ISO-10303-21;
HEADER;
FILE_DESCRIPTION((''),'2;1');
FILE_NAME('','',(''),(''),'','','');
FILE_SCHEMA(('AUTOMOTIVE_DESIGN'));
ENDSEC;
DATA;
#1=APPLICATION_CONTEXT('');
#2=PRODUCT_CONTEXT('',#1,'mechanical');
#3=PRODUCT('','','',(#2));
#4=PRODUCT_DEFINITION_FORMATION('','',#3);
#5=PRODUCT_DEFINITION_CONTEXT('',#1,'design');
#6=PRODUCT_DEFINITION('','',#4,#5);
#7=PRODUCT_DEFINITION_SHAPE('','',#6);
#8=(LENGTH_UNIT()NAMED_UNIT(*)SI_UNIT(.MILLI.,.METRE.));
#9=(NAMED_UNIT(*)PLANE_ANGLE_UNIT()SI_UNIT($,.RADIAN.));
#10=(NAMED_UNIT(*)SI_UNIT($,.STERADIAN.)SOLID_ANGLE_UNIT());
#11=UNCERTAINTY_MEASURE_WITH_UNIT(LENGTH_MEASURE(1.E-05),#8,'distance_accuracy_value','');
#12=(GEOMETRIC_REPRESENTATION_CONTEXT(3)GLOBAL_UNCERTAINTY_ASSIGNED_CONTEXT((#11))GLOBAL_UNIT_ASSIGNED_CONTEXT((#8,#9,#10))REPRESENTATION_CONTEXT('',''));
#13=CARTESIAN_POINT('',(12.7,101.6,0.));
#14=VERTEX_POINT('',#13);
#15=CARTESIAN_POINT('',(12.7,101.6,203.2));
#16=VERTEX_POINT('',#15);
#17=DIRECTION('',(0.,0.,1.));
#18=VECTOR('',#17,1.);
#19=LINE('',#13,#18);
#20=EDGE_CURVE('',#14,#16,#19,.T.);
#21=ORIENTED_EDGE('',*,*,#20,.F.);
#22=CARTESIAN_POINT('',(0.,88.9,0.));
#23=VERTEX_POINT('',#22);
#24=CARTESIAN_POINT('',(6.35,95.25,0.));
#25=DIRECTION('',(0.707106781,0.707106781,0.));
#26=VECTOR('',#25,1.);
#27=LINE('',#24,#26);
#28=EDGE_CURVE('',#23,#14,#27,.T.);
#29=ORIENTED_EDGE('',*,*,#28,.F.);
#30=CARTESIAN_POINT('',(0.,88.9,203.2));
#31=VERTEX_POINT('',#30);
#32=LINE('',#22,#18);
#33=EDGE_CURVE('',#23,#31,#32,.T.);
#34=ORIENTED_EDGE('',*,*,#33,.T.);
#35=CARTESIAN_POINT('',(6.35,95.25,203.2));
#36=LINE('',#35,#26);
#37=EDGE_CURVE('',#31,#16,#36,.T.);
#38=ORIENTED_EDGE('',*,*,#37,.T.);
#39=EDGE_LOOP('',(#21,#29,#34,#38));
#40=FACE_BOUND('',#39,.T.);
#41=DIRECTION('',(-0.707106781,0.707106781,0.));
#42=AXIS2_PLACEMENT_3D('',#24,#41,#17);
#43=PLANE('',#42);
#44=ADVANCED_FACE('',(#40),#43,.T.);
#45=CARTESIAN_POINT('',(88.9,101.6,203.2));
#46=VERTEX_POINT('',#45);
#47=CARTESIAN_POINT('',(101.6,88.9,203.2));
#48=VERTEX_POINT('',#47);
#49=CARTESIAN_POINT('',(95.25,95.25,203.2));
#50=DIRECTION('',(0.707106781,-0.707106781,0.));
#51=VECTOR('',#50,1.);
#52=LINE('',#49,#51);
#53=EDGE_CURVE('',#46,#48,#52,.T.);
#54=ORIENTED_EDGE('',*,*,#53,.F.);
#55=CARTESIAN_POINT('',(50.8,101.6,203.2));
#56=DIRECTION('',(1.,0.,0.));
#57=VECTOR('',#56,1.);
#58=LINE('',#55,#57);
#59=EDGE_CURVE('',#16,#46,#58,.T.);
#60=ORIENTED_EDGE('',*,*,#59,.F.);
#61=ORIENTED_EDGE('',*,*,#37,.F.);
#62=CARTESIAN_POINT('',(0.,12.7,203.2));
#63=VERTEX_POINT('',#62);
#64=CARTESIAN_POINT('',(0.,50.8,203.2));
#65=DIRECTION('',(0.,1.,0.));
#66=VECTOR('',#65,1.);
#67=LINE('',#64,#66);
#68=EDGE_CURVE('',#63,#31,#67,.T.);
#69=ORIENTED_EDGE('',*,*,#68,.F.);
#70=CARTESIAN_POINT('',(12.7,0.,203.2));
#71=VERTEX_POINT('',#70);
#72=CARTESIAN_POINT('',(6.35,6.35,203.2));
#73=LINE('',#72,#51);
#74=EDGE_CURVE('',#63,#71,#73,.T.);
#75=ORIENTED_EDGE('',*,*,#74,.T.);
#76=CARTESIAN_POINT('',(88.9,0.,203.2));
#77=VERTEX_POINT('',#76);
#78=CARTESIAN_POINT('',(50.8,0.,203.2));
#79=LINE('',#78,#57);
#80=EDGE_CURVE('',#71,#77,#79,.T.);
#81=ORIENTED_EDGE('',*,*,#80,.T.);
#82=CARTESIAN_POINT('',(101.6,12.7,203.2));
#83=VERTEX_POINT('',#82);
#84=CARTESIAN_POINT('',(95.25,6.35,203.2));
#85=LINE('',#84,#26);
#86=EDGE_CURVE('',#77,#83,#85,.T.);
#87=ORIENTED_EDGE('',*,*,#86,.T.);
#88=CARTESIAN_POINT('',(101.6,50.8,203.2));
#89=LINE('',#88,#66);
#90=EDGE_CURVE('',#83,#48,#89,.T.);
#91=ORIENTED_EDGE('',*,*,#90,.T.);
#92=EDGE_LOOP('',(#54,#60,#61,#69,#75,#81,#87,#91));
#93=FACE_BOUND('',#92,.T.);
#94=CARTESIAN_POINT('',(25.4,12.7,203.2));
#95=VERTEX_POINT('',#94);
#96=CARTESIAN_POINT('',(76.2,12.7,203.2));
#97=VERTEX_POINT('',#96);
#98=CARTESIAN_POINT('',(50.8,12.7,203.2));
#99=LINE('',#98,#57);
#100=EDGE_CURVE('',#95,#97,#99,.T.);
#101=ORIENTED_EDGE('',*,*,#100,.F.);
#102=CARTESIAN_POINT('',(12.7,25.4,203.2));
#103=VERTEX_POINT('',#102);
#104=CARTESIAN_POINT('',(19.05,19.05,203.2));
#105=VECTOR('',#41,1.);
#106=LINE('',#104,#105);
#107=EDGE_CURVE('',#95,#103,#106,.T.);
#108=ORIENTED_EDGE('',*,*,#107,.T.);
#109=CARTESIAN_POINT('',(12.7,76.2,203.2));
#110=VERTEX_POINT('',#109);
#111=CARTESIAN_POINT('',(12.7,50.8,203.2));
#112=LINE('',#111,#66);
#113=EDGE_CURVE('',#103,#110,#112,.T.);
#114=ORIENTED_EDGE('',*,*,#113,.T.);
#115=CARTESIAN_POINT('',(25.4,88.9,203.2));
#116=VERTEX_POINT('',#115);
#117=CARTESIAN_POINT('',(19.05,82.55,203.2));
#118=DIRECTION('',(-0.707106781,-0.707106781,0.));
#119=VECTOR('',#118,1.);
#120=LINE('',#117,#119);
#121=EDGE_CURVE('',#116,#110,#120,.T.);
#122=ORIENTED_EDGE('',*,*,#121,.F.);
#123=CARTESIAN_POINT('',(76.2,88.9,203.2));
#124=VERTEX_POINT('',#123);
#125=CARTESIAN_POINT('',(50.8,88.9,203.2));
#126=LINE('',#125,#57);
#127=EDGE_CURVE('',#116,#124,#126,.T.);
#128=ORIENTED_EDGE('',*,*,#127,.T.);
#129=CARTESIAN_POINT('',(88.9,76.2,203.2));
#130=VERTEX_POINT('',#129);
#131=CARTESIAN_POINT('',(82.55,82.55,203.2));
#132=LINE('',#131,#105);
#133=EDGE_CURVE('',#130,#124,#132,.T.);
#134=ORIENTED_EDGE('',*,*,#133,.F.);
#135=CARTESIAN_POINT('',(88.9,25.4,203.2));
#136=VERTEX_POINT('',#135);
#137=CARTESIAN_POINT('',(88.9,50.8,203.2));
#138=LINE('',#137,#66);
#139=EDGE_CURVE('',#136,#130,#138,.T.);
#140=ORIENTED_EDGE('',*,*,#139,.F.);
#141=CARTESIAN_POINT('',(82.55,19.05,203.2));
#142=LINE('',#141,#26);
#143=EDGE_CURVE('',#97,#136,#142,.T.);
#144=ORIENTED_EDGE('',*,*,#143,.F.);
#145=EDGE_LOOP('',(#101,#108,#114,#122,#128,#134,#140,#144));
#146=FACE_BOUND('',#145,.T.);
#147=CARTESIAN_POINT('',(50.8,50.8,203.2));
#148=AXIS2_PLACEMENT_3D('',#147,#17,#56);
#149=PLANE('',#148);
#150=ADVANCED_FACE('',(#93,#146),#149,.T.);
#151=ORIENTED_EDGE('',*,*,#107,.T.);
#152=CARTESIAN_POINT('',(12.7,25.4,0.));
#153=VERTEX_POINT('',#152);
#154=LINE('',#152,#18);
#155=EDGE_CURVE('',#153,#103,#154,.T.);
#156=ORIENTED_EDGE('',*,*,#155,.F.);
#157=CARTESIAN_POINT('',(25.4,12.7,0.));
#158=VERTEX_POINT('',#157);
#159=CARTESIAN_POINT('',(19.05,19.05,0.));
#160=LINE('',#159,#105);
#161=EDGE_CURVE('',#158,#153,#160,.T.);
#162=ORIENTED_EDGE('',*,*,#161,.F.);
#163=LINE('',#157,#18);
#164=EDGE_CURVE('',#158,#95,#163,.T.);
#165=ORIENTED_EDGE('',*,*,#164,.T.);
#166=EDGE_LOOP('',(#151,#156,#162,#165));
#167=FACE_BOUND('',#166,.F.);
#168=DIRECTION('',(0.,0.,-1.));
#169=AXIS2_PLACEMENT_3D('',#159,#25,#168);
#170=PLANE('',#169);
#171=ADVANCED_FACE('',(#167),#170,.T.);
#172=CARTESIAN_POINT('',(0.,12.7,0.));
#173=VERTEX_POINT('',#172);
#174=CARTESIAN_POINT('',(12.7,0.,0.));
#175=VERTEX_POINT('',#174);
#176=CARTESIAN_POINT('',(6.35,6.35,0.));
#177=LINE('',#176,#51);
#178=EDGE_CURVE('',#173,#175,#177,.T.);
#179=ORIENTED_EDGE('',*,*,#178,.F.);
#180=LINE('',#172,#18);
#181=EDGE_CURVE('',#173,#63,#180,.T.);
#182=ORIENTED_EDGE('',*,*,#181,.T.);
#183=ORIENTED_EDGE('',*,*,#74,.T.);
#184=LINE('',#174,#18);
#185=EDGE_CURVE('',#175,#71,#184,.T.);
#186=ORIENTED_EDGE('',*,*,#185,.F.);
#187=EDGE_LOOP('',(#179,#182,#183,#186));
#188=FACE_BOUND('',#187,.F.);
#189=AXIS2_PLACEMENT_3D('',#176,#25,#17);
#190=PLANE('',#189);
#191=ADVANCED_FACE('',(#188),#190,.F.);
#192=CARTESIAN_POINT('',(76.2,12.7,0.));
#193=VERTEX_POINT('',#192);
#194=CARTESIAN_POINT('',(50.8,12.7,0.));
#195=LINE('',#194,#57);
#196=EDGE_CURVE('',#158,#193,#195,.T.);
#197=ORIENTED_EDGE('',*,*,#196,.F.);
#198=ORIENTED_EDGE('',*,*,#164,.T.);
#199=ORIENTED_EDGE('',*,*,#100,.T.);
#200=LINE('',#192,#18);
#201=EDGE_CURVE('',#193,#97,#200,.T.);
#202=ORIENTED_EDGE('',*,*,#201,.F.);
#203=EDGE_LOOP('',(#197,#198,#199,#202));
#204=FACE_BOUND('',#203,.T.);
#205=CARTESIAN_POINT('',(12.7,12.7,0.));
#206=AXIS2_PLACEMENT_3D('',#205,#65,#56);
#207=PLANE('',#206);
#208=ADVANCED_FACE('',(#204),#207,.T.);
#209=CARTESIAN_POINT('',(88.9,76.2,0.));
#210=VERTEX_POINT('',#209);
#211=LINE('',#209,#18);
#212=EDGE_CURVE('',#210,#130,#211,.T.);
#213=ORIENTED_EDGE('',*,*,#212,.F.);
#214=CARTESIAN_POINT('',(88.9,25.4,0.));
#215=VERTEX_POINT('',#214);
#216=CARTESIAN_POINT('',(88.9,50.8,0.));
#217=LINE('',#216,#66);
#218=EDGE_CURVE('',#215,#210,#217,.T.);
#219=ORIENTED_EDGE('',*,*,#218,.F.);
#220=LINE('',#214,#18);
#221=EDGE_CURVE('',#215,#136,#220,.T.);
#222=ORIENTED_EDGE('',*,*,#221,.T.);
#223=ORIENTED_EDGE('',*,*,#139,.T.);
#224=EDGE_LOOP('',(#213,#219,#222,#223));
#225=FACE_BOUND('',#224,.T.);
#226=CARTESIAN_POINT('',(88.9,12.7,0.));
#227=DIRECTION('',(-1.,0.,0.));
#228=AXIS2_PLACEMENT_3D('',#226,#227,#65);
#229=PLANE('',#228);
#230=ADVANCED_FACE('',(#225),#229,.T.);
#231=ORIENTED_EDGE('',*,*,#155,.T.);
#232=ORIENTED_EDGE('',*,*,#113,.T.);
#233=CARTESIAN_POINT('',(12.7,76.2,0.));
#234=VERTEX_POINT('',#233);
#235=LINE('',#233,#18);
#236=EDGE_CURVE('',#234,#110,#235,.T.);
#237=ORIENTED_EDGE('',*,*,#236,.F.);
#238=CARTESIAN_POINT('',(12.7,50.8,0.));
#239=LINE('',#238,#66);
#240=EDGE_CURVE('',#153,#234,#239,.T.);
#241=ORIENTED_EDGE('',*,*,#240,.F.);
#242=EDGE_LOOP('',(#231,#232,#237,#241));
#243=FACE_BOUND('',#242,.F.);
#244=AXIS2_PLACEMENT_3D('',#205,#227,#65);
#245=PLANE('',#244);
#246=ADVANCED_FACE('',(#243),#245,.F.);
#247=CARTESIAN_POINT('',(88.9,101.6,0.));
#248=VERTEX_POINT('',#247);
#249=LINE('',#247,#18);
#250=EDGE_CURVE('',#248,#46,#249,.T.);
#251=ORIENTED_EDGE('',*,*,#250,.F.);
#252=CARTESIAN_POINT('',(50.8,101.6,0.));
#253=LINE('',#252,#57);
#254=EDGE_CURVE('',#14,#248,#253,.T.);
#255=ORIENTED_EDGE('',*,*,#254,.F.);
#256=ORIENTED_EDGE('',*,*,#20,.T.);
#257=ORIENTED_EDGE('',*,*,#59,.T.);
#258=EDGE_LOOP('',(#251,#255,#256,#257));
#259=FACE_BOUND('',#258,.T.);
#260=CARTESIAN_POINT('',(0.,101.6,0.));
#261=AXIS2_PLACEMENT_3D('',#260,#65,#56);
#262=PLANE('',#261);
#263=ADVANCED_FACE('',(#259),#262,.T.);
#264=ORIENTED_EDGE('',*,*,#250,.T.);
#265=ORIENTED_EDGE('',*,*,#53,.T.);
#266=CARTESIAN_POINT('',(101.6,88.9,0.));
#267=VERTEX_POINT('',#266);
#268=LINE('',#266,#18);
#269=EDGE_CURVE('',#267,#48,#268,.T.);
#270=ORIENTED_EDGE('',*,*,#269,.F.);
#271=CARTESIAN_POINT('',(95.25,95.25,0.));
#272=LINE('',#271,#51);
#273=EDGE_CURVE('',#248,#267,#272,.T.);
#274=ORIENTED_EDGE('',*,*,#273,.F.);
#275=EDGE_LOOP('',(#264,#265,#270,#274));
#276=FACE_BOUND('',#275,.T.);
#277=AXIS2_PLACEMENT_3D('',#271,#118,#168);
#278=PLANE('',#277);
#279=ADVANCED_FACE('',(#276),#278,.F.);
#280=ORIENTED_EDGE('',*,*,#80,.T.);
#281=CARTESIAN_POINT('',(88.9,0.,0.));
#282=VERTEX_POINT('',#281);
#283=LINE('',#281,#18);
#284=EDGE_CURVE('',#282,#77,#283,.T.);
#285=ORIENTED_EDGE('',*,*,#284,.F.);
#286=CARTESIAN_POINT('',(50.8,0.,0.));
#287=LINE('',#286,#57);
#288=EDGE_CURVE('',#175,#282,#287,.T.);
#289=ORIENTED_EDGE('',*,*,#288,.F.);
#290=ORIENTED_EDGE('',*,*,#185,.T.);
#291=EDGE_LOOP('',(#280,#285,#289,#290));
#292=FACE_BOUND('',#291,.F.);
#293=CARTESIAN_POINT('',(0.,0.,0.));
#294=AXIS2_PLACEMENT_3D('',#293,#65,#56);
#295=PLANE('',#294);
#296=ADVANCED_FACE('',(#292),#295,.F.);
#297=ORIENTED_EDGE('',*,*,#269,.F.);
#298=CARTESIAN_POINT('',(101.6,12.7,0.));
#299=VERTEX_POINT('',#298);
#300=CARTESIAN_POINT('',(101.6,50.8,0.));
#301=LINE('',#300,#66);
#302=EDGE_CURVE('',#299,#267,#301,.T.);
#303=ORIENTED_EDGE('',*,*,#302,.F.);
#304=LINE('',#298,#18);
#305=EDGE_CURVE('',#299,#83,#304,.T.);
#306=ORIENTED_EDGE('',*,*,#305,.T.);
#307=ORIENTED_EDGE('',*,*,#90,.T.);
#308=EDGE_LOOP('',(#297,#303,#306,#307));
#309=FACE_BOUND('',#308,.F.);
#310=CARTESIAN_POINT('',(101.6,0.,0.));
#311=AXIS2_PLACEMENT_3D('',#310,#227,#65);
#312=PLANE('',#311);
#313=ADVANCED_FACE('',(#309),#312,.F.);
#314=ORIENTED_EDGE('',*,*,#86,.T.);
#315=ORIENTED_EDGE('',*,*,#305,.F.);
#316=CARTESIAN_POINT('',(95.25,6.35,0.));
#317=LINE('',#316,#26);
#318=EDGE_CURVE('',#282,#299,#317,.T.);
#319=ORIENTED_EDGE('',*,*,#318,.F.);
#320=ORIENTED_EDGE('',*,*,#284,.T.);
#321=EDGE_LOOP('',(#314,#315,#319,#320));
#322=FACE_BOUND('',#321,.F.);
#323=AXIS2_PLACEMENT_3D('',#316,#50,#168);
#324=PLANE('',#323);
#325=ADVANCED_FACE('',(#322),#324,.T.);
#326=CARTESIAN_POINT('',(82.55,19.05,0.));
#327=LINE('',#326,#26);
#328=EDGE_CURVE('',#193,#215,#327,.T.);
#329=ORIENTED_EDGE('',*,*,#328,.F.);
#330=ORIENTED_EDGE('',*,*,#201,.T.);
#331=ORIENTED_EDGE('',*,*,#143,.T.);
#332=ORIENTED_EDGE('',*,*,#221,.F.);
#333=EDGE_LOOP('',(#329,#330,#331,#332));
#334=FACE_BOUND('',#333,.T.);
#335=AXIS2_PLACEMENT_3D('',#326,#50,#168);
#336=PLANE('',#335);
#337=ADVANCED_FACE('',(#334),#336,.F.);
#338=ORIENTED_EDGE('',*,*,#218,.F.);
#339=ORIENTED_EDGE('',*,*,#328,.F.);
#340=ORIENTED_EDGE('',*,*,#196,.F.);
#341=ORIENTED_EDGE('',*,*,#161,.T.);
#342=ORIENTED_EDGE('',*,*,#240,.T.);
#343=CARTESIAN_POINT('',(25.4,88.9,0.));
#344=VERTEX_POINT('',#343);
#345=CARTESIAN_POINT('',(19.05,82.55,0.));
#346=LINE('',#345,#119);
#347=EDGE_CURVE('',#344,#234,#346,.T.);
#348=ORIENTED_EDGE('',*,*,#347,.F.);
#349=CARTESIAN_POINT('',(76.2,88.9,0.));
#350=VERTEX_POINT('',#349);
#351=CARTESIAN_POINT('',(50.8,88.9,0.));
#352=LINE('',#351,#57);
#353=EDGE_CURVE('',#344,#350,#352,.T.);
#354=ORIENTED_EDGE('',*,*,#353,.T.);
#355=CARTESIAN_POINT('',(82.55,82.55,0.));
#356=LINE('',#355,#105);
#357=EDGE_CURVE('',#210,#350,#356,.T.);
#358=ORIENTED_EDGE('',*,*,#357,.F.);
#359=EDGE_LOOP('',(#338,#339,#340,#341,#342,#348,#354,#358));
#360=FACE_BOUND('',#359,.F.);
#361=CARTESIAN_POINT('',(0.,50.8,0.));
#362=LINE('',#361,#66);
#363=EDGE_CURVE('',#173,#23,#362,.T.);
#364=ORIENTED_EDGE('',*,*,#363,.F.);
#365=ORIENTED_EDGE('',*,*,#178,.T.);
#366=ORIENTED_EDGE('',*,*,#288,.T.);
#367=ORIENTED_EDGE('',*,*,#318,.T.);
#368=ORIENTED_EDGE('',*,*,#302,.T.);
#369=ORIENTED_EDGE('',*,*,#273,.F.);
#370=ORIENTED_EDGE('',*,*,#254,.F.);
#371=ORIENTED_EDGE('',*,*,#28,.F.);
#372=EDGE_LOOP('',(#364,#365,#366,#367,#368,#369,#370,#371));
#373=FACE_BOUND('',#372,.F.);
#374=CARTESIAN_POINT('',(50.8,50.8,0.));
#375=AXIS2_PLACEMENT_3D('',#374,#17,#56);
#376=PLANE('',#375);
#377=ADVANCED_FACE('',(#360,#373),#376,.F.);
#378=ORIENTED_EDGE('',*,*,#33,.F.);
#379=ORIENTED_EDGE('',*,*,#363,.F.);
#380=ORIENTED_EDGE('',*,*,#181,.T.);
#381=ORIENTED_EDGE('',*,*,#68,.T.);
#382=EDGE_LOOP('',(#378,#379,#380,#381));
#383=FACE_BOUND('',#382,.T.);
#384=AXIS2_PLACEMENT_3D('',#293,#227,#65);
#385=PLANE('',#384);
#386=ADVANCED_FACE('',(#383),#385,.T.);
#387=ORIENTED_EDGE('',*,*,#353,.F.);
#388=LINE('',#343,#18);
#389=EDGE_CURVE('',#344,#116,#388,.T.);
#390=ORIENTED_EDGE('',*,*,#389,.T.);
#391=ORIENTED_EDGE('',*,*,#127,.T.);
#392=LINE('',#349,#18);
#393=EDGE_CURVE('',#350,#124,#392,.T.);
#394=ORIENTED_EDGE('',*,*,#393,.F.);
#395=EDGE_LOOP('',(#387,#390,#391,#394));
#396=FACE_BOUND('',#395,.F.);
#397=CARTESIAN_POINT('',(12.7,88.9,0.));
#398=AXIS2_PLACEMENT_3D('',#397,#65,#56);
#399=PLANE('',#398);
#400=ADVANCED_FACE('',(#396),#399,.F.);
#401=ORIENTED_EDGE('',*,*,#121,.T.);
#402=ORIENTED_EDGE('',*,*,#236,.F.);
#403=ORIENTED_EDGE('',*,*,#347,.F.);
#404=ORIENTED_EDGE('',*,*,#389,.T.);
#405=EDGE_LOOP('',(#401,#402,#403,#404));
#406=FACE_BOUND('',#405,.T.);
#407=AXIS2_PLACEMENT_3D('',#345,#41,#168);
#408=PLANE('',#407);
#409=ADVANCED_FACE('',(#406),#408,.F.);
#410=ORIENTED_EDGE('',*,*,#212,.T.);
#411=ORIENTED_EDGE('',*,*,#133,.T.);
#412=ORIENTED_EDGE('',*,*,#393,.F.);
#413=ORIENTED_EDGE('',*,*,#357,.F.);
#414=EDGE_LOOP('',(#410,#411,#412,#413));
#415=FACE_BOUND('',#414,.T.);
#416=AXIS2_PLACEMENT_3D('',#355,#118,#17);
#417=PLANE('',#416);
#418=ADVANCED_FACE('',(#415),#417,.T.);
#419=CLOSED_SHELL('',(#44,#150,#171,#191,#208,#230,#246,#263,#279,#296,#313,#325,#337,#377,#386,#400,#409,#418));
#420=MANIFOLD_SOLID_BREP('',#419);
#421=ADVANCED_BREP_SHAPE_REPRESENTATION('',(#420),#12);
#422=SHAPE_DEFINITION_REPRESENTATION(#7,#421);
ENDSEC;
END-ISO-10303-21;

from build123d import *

# Parameters (mm, degrees)
F0_W     = 101.6
F0_H     = 101.6
F0_W_2   = 76.2
F0_H_2   = 76.2
F1_DEPTH = 203.2
F2_SIZE  = 12.7
F3_SIZE  = 12.7


with BuildPart() as f1:
    # F0 (on Top) → F1 (new body)
    with BuildSketch(Plane.XY):
        with Locations((50.8, 50.8)):
            Rectangle(F0_W, F0_H)
        with Locations((50.8, 50.8)):
            Rectangle(F0_W_2, F0_H_2, mode=Mode.SUBTRACT)
    extrude(amount=F1_DEPTH)

    # F2
    f2_edges = [f1.edges().sort_by_distance(p)[0] for p in [
        (12.7, 88.9, 101.6),
        (88.9, 88.9, 101.6),
        (88.9, 12.7, 101.6),
        (12.7, 12.7, 101.6),
    ]]
    chamfer(f2_edges, length=F2_SIZE)

    # F3
    f3_edges = [f1.edges().sort_by_distance(p)[0] for p in [
        (101.6, 0, 101.6),
        (101.6, 101.6, 101.6),
        (0, 0, 101.6),
        (0, 101.6, 101.6),
    ]]
    chamfer(f3_edges, length=F3_SIZE)


solid = f1.part
